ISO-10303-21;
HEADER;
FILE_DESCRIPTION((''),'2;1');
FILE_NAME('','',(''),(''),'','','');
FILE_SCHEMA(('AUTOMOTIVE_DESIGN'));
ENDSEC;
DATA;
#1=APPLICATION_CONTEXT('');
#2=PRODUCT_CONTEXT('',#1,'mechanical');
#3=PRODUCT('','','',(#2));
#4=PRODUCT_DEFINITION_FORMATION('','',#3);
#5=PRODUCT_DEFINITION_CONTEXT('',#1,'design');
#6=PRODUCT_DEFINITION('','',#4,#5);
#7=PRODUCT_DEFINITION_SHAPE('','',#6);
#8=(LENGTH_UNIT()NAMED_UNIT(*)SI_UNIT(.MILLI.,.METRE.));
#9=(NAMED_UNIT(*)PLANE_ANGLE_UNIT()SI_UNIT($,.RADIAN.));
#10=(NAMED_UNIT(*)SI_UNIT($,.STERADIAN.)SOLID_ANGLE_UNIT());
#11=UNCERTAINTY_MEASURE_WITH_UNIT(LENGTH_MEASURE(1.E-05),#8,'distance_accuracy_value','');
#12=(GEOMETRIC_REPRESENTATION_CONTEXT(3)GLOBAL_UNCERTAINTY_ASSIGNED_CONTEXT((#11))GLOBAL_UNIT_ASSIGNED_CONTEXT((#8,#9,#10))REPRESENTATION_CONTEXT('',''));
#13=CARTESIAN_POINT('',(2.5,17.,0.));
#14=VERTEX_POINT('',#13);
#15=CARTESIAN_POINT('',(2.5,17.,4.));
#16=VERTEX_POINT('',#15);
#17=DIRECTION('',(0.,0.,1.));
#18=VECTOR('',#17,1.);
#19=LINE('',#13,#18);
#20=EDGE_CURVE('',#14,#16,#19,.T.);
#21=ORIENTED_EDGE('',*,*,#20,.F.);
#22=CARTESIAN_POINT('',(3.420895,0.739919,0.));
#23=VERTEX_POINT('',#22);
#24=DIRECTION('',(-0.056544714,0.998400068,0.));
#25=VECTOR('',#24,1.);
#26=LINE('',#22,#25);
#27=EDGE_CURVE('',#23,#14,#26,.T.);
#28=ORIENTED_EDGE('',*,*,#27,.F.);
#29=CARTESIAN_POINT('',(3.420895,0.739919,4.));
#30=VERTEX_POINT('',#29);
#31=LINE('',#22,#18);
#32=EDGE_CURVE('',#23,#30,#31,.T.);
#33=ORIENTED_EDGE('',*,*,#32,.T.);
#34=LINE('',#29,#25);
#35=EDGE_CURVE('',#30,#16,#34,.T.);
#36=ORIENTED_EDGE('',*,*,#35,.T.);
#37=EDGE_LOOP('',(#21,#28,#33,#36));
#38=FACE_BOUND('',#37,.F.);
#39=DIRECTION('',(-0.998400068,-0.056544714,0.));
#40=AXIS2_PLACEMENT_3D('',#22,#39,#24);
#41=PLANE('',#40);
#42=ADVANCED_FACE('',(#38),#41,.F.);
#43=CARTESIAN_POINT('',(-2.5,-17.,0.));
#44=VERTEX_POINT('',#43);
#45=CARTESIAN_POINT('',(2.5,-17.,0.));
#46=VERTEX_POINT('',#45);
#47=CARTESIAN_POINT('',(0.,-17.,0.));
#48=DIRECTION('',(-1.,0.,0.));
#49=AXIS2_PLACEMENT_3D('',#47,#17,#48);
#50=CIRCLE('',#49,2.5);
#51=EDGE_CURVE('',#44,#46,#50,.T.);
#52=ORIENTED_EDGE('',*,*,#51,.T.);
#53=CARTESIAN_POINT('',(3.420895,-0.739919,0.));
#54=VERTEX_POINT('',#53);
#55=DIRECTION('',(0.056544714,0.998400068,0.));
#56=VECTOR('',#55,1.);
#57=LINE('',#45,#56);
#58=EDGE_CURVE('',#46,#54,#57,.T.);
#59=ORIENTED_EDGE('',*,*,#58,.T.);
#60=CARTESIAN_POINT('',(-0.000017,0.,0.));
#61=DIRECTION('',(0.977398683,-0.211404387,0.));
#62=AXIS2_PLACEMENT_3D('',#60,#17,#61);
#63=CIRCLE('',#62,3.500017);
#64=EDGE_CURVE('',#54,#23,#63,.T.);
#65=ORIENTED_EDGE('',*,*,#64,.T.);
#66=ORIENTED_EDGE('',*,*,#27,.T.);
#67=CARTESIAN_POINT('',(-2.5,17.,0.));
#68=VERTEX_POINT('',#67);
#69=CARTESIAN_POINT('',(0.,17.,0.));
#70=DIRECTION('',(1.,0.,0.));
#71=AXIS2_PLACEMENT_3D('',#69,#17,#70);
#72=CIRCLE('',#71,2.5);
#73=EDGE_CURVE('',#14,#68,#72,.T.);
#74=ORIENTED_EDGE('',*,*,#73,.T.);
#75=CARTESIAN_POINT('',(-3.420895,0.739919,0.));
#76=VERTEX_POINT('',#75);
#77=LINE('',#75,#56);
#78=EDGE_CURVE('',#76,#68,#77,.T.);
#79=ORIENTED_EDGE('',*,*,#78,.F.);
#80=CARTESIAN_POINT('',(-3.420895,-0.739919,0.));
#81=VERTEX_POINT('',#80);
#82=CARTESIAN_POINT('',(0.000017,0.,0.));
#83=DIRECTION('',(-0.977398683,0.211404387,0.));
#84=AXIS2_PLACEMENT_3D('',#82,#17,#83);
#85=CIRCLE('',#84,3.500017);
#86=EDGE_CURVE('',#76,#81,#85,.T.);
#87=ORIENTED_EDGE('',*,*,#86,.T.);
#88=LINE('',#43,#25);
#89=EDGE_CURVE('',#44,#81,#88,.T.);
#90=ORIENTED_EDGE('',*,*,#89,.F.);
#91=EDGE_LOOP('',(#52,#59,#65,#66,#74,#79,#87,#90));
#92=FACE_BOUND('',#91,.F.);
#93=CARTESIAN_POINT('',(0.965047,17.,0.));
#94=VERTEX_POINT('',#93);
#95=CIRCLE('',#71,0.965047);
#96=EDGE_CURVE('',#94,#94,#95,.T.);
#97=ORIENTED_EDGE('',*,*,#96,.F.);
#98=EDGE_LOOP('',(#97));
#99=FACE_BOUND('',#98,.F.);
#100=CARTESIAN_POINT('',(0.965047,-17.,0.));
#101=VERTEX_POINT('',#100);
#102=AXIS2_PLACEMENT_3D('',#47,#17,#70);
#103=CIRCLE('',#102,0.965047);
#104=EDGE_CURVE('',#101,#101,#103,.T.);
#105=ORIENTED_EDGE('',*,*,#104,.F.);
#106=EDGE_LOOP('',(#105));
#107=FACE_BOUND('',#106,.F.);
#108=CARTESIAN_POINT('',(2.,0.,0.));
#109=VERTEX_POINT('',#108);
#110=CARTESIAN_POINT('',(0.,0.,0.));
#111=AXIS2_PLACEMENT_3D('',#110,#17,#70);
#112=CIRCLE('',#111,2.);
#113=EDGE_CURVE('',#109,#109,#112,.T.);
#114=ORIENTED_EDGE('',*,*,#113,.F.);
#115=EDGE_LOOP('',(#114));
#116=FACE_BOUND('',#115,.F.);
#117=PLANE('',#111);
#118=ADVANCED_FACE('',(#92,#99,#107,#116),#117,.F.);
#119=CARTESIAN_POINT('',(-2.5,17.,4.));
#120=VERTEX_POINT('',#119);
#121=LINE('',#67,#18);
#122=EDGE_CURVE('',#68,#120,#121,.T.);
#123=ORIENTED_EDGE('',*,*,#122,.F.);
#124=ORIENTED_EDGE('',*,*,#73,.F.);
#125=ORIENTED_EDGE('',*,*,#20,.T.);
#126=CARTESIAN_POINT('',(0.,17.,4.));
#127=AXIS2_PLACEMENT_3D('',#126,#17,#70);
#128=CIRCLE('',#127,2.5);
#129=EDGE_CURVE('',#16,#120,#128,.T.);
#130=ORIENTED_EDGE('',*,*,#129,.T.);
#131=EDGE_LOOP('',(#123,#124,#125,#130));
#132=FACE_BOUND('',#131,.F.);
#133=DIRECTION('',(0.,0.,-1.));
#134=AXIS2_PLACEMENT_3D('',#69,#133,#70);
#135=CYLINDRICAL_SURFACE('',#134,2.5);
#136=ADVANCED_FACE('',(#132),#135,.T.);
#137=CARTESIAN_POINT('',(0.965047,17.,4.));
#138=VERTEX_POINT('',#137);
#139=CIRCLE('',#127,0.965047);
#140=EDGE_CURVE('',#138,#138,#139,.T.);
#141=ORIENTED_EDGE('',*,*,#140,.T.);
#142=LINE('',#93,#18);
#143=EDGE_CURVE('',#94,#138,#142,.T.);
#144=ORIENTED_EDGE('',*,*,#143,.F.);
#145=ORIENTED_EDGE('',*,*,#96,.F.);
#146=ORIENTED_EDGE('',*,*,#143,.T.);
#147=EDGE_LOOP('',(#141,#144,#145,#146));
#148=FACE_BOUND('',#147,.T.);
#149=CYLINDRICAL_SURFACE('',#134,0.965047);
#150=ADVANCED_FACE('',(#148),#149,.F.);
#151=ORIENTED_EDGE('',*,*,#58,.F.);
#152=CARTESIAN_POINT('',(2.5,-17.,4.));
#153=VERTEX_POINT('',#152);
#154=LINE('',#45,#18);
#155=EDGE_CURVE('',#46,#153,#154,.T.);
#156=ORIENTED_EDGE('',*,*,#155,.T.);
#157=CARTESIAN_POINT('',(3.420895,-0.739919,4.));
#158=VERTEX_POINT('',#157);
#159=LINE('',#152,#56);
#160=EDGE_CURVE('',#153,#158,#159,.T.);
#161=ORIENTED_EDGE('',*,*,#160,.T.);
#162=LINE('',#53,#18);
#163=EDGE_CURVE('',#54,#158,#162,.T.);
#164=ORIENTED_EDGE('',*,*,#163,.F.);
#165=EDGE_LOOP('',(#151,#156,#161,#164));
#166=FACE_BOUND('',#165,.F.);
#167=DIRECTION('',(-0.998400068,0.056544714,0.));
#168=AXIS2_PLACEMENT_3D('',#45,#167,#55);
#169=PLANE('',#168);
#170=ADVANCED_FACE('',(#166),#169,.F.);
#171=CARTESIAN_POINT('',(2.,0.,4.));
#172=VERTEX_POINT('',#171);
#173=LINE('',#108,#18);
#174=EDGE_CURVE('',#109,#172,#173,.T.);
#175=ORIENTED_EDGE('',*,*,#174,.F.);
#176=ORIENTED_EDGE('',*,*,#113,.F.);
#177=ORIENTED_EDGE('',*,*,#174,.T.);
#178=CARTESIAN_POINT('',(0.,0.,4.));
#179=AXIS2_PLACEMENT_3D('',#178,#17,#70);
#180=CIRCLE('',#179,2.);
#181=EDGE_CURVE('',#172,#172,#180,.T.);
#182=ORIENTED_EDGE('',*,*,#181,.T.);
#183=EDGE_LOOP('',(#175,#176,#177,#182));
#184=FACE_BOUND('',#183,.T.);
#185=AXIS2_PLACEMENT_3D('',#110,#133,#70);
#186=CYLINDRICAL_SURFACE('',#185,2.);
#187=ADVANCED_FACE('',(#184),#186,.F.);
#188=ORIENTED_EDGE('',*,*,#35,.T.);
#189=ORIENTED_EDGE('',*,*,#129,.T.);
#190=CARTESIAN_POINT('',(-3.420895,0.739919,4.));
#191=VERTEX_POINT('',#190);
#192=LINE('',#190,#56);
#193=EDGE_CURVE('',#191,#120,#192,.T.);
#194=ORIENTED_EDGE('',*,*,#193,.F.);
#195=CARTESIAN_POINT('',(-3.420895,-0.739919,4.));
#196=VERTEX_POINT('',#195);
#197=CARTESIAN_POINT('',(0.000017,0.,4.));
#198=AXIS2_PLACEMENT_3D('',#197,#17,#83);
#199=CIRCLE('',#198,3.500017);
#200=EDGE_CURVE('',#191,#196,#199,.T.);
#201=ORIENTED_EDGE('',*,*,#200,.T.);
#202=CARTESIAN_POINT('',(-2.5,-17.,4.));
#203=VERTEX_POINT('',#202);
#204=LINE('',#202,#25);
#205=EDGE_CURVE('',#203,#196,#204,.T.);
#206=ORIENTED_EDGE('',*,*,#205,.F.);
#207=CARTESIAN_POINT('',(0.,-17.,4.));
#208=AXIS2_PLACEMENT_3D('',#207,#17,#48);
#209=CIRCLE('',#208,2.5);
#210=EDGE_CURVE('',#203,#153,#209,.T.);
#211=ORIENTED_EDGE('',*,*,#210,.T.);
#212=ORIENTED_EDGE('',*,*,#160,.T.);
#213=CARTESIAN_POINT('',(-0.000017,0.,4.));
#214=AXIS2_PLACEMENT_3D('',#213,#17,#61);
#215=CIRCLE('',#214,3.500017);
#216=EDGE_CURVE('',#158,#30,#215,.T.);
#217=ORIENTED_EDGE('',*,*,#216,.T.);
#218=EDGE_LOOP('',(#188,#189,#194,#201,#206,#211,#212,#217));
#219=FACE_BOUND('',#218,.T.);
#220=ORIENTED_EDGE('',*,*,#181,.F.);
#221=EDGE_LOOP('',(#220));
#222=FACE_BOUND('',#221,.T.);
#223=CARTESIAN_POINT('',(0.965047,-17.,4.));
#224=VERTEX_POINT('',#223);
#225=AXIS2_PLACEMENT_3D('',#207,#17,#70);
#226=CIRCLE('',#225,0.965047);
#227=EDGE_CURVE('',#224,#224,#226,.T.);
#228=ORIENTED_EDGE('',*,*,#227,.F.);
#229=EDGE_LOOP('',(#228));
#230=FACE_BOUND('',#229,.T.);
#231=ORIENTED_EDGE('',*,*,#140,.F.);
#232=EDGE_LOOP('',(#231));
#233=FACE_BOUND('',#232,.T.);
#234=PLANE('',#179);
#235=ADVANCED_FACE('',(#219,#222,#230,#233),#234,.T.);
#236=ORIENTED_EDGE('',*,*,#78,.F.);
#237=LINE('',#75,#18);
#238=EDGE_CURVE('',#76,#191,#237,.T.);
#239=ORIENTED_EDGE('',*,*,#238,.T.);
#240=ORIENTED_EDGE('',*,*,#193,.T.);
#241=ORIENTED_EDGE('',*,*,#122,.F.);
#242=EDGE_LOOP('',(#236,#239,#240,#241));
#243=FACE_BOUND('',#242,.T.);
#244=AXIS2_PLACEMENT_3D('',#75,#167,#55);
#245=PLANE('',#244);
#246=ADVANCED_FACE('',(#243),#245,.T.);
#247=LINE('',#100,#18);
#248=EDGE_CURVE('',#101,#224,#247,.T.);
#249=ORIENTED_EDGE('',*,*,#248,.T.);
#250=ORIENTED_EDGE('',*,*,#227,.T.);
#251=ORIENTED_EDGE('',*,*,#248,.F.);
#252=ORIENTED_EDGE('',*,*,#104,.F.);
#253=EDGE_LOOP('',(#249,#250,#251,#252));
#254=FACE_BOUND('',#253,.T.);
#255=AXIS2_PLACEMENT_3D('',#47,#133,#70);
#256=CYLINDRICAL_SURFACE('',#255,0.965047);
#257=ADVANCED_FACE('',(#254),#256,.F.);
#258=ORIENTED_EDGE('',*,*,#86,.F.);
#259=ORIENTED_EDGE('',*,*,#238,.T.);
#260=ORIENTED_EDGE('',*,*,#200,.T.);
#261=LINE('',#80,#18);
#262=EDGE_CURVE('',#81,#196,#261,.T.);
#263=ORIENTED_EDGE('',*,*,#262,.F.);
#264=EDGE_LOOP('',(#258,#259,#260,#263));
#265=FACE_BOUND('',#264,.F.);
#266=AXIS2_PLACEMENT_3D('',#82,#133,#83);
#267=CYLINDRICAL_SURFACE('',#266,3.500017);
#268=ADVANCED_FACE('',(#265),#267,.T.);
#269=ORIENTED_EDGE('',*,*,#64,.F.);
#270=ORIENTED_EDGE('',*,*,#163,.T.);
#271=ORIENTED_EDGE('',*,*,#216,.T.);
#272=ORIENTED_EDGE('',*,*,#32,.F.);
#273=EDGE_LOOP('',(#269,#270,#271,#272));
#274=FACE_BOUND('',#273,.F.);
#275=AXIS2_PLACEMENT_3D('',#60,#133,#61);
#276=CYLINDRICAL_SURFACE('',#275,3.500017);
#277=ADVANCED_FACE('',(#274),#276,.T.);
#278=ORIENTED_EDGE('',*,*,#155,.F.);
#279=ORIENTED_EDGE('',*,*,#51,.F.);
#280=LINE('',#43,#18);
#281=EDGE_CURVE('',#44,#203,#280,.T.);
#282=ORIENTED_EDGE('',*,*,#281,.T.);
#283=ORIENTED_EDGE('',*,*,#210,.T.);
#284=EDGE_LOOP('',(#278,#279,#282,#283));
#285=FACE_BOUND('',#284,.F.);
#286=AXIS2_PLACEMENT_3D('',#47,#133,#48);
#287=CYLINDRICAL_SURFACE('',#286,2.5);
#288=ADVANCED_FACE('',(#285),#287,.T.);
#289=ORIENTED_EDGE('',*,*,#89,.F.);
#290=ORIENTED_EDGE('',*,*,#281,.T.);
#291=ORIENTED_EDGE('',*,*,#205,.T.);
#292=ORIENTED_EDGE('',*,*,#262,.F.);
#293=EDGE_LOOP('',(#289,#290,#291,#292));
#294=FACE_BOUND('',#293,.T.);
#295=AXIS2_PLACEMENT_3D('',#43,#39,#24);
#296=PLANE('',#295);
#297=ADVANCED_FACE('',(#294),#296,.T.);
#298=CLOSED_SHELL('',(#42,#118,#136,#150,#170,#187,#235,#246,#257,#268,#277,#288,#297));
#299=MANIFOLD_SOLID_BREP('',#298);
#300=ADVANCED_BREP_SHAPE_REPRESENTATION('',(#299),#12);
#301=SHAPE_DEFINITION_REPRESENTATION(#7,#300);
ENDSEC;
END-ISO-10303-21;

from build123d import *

# Parameters (mm, degrees)
SKETCH001_R   = 2
SKETCH001_R_2 = 0.965047
PAD_DEPTH     = 4


with BuildPart() as part:
    # Sketch001 → Pad (new body)
    with BuildSketch(Plane.XY):
        with BuildLine():
            ThreePointArc((-3.420895, 0.739919), (-3.5, 0), (-3.420895, -0.739919))
            Line((-2.5, -17), (-3.420895, -0.739919))
            ThreePointArc((-2.5, -17), (0, -19.5), (2.5, -17))
            Line((2.5, -17), (3.420895, -0.739919))
            ThreePointArc((3.420895, -0.739919), (3.5, 0), (3.420895, 0.739919))
            Line((3.420895, 0.739919), (2.5, 17))
            ThreePointArc((2.5, 17), (0, 19.5), (-2.5, 17))
            Line((-3.420895, 0.739919), (-2.5, 17))
        make_face()
        Circle(SKETCH001_R, mode=Mode.SUBTRACT)
        with Locations((0, 17)):
            Circle(SKETCH001_R_2, mode=Mode.SUBTRACT)
        with Locations((0, -17)):
            Circle(SKETCH001_R_2, mode=Mode.SUBTRACT)
    extrude(amount=PAD_DEPTH)


solid = part.part
